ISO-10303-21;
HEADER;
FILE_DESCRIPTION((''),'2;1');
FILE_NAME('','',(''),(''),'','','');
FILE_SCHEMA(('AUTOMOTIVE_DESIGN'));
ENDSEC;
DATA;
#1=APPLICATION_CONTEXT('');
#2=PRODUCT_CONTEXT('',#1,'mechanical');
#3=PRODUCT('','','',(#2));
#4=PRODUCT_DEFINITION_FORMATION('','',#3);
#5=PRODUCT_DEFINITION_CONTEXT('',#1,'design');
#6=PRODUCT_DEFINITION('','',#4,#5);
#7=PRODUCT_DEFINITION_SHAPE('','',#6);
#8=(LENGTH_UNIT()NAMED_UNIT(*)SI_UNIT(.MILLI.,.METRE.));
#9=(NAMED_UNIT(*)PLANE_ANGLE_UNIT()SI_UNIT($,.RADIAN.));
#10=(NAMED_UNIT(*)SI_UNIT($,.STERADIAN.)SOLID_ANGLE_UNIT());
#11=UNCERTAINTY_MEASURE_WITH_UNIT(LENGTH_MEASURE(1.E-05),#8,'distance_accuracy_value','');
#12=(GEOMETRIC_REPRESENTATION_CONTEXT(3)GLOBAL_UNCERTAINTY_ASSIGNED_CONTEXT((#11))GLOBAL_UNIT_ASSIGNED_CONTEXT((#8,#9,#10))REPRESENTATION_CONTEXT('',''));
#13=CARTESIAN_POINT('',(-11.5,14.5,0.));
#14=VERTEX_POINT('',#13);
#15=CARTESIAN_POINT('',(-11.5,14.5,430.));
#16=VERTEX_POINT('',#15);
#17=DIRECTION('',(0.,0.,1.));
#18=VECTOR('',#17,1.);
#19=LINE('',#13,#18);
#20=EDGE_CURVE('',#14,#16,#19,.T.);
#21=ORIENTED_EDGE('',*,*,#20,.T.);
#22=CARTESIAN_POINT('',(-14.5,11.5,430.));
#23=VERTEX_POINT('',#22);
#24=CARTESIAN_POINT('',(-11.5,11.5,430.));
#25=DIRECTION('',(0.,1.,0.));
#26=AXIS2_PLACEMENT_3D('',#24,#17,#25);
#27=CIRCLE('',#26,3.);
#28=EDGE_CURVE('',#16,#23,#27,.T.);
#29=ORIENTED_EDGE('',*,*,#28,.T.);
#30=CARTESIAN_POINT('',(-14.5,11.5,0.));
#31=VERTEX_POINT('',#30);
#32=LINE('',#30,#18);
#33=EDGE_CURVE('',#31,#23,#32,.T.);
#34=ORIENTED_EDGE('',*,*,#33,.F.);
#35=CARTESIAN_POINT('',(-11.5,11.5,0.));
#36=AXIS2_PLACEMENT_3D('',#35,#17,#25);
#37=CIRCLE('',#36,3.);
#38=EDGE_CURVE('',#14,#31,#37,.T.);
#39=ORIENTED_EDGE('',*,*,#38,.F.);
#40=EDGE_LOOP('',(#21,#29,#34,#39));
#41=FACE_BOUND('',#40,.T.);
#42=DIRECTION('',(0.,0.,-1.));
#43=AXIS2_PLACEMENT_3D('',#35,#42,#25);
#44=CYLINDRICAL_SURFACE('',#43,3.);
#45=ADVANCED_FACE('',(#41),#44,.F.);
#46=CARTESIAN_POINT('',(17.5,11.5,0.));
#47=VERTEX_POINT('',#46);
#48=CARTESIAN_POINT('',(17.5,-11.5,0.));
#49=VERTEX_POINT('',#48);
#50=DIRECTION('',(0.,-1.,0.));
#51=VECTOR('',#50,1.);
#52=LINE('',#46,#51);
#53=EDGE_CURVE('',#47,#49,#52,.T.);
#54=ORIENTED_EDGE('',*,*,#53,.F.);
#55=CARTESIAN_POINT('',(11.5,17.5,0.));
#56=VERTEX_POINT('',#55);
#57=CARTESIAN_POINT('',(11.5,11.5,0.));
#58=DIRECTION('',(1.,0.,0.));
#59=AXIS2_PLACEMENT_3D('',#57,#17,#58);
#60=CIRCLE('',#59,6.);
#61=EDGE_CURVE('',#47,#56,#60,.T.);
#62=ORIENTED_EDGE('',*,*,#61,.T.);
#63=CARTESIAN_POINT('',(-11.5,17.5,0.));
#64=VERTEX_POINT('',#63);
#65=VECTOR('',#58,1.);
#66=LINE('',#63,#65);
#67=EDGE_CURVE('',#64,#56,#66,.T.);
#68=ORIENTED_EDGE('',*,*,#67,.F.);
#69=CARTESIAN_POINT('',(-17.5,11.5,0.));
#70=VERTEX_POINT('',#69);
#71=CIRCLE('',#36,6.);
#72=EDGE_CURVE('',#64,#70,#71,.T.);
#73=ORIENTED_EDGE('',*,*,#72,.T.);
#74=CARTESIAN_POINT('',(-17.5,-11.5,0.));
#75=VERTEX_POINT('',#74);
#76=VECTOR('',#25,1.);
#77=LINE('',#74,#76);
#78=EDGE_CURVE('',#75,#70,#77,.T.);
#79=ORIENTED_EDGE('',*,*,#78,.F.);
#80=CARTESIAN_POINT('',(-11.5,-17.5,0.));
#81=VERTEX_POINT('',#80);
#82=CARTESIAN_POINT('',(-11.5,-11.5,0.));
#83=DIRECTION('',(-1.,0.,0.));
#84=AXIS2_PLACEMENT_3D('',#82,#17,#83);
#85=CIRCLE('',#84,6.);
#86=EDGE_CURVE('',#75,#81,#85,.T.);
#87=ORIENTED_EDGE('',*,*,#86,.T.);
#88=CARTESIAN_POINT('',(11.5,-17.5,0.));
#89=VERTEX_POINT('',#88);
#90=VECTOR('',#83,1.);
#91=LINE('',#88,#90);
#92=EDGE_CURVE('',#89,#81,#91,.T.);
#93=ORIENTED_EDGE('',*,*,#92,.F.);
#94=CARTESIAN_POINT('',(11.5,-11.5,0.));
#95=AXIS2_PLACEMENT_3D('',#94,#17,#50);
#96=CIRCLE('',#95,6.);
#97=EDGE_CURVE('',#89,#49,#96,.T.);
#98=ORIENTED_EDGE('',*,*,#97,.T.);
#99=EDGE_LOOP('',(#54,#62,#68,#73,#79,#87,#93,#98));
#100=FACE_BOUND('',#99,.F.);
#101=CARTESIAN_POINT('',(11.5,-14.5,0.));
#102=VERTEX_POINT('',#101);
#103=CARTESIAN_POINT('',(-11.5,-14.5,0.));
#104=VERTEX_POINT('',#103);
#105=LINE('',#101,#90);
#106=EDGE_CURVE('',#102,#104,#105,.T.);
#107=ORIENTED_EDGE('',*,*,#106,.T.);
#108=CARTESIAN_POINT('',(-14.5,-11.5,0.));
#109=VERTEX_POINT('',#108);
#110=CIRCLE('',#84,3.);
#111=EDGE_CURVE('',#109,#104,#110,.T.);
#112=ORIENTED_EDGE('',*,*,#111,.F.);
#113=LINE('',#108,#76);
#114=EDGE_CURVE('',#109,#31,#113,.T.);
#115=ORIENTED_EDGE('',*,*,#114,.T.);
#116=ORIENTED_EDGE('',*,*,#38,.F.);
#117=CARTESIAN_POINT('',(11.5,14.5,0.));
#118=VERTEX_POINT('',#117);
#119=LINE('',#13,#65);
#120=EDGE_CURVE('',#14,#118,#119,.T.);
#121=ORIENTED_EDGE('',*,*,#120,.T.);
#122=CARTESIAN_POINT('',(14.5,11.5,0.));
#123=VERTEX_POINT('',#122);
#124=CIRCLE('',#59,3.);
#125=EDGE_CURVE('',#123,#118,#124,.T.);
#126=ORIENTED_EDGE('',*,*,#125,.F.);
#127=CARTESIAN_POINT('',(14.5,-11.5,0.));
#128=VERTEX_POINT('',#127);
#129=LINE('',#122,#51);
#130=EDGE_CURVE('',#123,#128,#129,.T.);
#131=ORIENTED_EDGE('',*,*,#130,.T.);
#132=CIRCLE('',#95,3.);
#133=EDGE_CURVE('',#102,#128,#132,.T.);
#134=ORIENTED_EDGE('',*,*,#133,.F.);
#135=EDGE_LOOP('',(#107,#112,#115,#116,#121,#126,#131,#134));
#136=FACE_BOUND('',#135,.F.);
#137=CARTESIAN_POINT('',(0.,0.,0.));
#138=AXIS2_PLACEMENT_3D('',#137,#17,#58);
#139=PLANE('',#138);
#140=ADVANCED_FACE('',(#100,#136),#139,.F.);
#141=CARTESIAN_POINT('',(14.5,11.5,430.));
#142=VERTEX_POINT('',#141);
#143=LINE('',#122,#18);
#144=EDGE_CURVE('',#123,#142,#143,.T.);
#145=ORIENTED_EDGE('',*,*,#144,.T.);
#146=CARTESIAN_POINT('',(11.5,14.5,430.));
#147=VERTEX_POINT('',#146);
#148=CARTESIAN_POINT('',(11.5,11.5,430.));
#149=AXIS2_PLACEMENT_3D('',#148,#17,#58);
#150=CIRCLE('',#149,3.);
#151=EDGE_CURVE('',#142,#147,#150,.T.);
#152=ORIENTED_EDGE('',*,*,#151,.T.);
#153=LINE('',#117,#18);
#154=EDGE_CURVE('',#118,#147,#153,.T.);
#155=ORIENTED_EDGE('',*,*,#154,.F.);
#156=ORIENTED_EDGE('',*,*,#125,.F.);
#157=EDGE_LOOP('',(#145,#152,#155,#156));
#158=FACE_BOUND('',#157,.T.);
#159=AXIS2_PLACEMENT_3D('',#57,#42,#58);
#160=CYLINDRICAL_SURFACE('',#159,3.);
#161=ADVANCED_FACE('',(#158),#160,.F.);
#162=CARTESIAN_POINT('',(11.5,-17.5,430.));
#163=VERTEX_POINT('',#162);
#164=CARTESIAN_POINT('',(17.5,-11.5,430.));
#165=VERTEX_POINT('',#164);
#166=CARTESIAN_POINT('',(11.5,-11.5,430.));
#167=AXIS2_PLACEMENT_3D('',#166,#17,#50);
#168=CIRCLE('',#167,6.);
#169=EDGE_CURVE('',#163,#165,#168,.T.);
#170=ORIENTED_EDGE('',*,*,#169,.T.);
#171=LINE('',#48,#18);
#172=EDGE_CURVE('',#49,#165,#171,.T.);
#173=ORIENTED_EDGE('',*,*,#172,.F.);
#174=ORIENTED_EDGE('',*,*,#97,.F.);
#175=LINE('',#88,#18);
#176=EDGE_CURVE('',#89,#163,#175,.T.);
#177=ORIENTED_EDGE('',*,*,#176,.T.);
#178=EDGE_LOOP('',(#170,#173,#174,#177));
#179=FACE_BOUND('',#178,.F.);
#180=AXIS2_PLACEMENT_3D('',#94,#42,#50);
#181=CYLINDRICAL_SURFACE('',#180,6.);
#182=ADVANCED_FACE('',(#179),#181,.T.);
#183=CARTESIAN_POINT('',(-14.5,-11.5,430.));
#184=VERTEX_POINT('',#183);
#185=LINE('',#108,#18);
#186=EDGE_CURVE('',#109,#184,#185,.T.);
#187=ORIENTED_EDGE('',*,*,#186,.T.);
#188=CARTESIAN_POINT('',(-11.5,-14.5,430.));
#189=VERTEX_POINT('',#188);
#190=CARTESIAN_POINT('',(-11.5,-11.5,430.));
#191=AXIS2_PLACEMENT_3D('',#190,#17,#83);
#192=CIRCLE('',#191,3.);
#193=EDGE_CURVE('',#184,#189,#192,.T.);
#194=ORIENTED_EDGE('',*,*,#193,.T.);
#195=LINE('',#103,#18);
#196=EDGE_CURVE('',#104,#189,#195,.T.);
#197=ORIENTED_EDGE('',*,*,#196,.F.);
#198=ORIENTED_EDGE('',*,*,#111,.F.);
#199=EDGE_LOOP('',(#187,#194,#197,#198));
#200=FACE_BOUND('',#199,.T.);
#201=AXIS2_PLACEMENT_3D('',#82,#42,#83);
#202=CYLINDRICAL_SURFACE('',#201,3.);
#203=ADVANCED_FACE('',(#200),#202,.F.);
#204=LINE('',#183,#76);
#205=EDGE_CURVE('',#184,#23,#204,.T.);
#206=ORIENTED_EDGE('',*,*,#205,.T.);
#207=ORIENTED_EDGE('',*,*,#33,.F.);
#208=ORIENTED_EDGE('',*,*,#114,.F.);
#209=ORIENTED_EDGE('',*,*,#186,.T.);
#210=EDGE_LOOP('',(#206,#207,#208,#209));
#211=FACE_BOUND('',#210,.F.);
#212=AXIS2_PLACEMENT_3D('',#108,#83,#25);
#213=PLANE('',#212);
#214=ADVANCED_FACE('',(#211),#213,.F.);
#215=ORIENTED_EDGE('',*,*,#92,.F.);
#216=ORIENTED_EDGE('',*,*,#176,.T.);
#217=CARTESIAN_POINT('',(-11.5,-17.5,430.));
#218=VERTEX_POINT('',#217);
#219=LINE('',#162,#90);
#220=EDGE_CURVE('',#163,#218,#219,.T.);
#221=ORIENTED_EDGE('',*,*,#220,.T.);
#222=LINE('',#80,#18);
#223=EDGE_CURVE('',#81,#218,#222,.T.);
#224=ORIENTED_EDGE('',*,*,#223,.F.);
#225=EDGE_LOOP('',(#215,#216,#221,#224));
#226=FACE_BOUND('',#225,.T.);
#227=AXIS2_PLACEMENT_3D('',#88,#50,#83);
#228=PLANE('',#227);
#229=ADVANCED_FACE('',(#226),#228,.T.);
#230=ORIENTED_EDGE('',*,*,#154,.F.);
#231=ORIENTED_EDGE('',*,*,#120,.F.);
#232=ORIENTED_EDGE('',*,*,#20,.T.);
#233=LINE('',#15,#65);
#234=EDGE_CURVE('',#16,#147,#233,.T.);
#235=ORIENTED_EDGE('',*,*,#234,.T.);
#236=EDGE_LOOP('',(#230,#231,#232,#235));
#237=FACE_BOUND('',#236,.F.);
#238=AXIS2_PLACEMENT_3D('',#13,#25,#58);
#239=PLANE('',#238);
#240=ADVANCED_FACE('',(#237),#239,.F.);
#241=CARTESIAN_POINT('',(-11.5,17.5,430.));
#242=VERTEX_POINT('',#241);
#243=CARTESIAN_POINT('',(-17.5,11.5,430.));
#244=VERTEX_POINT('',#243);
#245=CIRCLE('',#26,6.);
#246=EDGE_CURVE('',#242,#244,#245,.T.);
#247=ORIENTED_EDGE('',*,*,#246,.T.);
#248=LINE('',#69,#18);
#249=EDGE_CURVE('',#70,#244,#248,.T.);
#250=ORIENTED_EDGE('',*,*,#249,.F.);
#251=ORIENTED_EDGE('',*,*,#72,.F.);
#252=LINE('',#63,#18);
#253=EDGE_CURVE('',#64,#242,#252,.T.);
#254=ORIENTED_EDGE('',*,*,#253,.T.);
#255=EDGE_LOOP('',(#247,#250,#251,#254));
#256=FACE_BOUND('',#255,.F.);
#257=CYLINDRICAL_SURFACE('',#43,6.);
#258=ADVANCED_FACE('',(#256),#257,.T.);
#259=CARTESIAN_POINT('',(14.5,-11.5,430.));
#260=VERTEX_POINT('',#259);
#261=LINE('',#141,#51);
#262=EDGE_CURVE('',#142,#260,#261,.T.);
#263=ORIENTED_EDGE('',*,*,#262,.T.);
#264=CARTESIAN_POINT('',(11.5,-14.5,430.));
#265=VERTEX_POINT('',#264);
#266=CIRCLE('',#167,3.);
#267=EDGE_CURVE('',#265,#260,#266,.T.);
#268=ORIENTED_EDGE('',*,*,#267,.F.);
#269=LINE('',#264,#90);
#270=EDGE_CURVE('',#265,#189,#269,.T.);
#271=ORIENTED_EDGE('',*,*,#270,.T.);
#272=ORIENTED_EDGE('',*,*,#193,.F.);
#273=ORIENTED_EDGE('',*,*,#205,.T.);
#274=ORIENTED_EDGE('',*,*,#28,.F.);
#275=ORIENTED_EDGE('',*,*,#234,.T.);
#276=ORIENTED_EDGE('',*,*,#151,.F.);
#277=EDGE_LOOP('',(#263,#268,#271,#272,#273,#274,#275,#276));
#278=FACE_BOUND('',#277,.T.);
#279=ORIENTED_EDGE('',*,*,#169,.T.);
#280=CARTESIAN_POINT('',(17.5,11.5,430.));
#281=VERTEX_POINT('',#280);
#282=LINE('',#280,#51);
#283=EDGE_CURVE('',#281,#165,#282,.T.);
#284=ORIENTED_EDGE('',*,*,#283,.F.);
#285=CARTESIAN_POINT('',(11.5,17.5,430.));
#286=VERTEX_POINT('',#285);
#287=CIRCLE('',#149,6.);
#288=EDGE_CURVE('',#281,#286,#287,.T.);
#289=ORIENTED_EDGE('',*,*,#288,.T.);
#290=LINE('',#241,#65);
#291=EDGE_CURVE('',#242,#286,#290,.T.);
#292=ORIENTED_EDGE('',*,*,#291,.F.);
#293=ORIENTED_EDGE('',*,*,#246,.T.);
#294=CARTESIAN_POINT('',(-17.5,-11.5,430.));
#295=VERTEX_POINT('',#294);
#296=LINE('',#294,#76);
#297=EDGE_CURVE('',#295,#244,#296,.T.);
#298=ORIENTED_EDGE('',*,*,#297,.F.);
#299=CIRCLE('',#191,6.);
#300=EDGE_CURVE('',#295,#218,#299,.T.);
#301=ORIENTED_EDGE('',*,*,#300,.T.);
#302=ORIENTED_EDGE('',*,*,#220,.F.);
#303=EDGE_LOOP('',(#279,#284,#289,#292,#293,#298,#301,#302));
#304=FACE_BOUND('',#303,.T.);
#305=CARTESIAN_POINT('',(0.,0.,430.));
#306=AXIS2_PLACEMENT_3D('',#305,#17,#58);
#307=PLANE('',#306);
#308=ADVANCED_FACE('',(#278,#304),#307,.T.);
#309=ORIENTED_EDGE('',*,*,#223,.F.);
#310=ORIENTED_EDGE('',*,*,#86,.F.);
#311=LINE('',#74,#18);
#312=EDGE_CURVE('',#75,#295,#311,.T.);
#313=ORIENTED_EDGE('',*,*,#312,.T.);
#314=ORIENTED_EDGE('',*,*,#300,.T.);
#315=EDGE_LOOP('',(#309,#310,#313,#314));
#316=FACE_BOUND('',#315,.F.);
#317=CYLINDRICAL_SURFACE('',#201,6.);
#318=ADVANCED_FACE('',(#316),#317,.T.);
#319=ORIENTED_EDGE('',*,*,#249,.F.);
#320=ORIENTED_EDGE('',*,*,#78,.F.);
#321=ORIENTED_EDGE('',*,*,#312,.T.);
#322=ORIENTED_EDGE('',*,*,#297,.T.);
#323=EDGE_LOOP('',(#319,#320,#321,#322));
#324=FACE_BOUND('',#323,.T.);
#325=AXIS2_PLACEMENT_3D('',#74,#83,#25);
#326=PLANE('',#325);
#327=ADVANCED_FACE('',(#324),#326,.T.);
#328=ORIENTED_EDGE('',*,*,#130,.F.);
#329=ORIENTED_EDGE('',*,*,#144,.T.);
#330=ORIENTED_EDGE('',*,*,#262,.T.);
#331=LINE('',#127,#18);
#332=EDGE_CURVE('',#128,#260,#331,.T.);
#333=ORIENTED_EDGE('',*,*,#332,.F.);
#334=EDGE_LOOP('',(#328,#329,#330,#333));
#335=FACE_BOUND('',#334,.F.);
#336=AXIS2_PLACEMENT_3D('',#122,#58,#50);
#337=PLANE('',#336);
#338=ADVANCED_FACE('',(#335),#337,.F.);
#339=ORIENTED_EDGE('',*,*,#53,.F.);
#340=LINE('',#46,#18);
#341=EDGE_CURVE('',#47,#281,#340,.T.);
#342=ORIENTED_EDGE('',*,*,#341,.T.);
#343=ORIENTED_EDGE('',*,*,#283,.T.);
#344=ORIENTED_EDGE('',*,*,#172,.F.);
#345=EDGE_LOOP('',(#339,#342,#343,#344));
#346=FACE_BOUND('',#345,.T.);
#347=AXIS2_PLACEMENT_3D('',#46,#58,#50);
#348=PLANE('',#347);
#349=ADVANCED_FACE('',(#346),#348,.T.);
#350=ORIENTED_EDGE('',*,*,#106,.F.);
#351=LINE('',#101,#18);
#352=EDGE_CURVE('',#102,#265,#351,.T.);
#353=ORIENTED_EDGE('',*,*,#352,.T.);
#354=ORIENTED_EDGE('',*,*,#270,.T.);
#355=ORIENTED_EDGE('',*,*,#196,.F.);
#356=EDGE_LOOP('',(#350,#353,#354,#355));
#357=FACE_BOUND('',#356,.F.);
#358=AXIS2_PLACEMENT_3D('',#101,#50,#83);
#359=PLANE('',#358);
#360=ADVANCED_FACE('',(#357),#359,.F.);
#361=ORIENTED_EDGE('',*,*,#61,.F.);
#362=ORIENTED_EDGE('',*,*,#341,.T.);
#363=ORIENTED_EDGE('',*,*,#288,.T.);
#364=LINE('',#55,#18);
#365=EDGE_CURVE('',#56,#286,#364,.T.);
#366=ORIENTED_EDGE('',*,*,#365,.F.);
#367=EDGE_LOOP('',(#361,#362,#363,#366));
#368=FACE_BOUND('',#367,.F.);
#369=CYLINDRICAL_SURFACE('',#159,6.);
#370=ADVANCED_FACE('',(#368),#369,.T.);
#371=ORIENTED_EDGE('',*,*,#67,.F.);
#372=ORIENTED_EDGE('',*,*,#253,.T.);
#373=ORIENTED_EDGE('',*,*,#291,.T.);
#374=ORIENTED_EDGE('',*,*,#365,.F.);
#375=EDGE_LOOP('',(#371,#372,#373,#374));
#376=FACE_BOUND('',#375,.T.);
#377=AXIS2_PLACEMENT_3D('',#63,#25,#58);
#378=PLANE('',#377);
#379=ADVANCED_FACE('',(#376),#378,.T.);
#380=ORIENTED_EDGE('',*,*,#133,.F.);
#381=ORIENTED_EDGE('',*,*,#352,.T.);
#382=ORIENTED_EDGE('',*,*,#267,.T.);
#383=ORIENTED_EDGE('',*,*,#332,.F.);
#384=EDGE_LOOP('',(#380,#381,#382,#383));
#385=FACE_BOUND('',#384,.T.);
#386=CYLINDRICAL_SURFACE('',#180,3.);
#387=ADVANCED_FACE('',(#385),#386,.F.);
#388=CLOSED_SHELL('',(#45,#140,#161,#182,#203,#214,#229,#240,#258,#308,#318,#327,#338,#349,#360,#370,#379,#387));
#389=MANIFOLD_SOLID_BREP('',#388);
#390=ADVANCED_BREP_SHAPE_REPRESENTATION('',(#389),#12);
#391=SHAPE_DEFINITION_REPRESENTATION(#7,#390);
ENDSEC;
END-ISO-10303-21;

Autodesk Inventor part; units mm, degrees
ref_plane "YZ Plane" through (0, 0, 0) normal (1, 0, 0) x (0, 1, 0)
ref_plane "Start plane" through (0, 0, 0) normal (0, 0, 1) x (1, 0, 0)
ref_plane "End plane" through (0, 0, 430) normal (0, 0, 1) x (1, 0, 0)
sketch "Sketch" plane through (0, 0, 0) normal (0, 0, 1) x (1, 0, 0)
  line L0 (-17.5, -11.5) -> (-17.5, 11.5)
  line L1 (-11.5, 17.5) -> (11.5, 17.5)
  line L2 (17.5, 11.5) -> (17.5, -11.5)
  line L3 (11.5, -17.5) -> (-11.5, -17.5)
  arc A0 (-17.5, -11.5) -> (-11.5, -17.5) centre (-11.5, -11.5) ccw
  arc A1 (-11.5, 17.5) -> (-17.5, 11.5) centre (-11.5, 11.5) ccw
  arc A2 (17.5, 11.5) -> (11.5, 17.5) centre (11.5, 11.5) ccw
  arc A3 (11.5, -17.5) -> (17.5, -11.5) centre (11.5, -11.5) ccw
  arc A4 (-11.5, 14.5) -> (-14.5, 11.5) centre (-11.5, 11.5) ccw
  line L4 (-11.5, 14.5) -> (11.5, 14.5)
  arc A5 (14.5, 11.5) -> (11.5, 14.5) centre (11.5, 11.5) ccw
  line L5 (14.5, 11.5) -> (14.5, -11.5)
  arc A6 (11.5, -14.5) -> (14.5, -11.5) centre (11.5, -11.5) ccw
  line L6 (11.5, -14.5) -> (-11.5, -14.5)
  arc A7 (-14.5, -11.5) -> (-11.5, -14.5) centre (-11.5, -11.5) ccw
  line L7 (-14.5, -11.5) -> (-14.5, 11.5)
  line L8 (0, 25.4278) -> (0, -25.4278) construction
  line L9 (-25.4278, 0) -> (25.4278, 0) construction
  dimension "d7" = 6
  dimension "d10" = 35
  dimension "d11" = 35
  dimension "d12" = 3
  dimension "d15" = 17.5
  dimension "d16" = 17.5
extrude "Body" add sketch "Sketch" along normal up to surface (430 mm away) from surface at 0
sketch "Sketch3" plane through (0, 0, 0) normal (0, 0, 1) x (1, 0, 0)
  line L0 (0, 0) -> (10, 0)
ref_plane "Work Plane3" through (0, 0, 0) normal (0, -1, 0) x (1, 0, 0)
sketch "Sketch4" plane through (0, 0, 0) normal (0, -1, 0) x (1, 0, 0)
  line L0 (-2, 0) -> (12, 0)
  line L1 (-2, 430) -> (12, 430)
  dimension "d18" = 430
equation "\"d7\" = G_IR"
equation "\"d10\" = G_H"
equation "\"d11\" = G_W"
equation "\"d12\" = G_T"
equation "\"d15\" = 0.5 * d10"
equation "\"d16\" = 0.5 * d11"
equation "\"d3\" = G_L"
equation "\"G_W\" = 35"
equation "\"G_H\" = 35"
equation "\"G_T\" = 3"
equation "\"G_IR\" = 6"
equation "\"G_L\" = d18"
equation "\"G_OFFSET_START\" = 0"
equation "\"G_OFFSET_END\" = 0"
properties part number "AS 1163 - C350L0 35x35x3.0 SHS - 430" material "Steel, Mild"
